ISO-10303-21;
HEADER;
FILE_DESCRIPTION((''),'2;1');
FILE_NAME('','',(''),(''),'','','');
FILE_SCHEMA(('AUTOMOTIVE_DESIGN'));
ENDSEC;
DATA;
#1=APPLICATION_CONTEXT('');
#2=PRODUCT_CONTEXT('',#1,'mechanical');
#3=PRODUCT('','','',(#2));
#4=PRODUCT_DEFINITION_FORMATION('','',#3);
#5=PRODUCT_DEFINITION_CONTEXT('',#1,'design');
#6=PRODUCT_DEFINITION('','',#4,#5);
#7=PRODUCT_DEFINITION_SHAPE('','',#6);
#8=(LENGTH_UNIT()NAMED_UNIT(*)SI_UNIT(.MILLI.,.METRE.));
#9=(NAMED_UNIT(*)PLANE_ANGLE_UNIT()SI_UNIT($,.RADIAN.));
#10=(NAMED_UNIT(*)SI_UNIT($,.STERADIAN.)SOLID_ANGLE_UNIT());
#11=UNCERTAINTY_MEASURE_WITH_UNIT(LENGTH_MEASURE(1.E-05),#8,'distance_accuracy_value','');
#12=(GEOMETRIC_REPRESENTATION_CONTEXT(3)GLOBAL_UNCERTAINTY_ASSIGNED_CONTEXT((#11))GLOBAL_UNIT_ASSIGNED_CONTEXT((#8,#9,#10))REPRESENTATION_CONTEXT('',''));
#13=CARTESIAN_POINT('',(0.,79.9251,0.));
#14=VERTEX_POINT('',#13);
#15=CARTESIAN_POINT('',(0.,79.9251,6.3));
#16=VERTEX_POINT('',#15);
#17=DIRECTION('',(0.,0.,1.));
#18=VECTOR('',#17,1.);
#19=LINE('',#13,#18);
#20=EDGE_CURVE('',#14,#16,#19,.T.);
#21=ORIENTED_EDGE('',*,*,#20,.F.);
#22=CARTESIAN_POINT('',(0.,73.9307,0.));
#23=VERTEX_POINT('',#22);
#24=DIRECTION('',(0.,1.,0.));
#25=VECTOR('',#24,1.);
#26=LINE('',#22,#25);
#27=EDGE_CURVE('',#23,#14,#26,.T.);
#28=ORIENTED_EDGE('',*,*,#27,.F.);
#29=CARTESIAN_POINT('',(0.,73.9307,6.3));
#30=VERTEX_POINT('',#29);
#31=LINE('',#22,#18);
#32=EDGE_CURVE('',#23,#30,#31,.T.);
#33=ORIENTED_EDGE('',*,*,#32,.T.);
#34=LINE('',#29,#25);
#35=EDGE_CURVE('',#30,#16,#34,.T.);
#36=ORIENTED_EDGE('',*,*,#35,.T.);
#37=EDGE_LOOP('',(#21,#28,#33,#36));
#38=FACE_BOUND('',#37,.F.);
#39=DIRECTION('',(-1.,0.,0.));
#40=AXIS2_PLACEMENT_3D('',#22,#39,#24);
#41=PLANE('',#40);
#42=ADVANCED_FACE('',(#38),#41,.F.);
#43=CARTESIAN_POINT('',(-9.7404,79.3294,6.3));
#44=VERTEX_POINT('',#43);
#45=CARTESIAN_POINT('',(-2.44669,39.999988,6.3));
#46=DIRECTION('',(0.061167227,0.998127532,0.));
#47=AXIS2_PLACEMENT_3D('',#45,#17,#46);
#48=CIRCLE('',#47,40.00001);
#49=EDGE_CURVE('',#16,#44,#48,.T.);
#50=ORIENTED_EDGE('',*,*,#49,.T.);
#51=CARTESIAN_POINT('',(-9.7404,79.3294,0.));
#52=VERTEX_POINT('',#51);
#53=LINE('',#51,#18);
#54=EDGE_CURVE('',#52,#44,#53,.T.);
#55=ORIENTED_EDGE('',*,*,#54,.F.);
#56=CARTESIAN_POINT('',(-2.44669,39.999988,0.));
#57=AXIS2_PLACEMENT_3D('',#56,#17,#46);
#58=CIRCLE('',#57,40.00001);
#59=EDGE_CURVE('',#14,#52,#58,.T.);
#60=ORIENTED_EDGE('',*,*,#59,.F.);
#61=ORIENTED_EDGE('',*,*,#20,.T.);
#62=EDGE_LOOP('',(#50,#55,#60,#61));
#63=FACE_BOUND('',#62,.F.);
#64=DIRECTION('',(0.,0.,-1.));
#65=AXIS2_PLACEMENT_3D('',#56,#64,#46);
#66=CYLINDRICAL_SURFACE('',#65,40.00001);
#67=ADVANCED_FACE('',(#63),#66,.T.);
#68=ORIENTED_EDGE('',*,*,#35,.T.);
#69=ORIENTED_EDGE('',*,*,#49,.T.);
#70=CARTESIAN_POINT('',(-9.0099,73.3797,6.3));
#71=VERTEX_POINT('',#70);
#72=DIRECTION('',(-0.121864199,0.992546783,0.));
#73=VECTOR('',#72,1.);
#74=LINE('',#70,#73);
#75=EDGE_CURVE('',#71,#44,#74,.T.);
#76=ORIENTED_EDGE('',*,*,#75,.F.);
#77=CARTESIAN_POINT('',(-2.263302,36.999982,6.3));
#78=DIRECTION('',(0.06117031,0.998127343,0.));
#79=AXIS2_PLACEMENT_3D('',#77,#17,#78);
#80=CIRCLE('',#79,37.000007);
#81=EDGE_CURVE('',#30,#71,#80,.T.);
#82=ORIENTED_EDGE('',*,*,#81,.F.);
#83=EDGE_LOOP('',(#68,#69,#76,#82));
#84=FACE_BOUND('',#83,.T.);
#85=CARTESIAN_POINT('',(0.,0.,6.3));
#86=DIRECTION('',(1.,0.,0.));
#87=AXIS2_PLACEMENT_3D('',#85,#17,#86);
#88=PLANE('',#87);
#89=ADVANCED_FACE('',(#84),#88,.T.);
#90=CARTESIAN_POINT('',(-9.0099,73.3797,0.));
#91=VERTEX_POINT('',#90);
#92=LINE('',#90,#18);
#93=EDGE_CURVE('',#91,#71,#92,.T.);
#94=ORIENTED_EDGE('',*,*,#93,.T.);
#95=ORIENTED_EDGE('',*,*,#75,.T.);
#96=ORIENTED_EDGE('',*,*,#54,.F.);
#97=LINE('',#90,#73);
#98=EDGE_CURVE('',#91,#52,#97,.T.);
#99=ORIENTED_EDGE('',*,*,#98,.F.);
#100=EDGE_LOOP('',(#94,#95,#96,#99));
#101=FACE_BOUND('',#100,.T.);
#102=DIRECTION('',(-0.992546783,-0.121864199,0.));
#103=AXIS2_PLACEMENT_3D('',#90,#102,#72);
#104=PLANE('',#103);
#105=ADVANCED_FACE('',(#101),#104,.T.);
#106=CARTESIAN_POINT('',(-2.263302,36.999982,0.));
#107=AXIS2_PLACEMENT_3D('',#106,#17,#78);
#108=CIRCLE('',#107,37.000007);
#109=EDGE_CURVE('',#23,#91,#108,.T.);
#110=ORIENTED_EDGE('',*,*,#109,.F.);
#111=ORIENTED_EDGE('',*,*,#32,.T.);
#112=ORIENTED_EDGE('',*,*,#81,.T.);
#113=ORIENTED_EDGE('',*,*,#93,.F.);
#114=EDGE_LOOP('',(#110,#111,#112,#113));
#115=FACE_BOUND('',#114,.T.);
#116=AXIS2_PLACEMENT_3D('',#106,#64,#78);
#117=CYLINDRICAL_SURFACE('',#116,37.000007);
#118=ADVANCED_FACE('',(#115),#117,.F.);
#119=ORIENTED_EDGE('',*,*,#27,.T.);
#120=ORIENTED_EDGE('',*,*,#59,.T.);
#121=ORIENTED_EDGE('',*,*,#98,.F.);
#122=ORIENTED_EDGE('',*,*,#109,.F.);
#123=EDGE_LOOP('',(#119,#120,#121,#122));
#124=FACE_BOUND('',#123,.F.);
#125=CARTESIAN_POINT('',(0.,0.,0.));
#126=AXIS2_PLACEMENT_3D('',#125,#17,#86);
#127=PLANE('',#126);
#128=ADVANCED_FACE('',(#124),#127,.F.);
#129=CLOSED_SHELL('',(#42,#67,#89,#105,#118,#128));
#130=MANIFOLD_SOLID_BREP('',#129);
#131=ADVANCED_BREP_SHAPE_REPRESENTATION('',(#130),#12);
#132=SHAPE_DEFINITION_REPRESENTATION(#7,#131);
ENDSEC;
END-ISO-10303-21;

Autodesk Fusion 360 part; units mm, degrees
sketch "Sketch1" plane through (0, 0, 0) normal (0, 0, 1) x (1, 0, 0)
  line L0 (0, 0) -> (-9.0099, 73.3797)
  line L1 (0, 0) -> (0, 8.9683)
  line L2 (0, 8.9683) -> (0, 73.9307)
  line L3 (-9.0099, 73.3797) -> (-9.7404, 79.3294)
  line L4 (0, 73.9307) -> (0, 79.9251)
  arc A0 (0, 73.9307) -> (-9.0099, 73.3797) centre (-2.263, 37) ccw
  arc A1 (0, 79.9251) -> (-9.7404, 79.3294) centre (-2.4465, 40) ccw
  line L5 (0, 0) -> (0, 2.8792)
  line L6 (0, 0) -> (-8.5021, 139.0084) construction
  dimension "d1" = 37
  dimension "d2" = 40
  dimension "d4" = 3.5
  dimension "d5" = 37
  dimension "d6" = 40
  dimension "d7" = 3.5
extrude "Extrude1" add sketch "Sketch1" along normal blind 6.3 contours L3 L4 A0 A1
equation "d5 = d1"
equation "d6 = d2"
equation "d7 = d4"
